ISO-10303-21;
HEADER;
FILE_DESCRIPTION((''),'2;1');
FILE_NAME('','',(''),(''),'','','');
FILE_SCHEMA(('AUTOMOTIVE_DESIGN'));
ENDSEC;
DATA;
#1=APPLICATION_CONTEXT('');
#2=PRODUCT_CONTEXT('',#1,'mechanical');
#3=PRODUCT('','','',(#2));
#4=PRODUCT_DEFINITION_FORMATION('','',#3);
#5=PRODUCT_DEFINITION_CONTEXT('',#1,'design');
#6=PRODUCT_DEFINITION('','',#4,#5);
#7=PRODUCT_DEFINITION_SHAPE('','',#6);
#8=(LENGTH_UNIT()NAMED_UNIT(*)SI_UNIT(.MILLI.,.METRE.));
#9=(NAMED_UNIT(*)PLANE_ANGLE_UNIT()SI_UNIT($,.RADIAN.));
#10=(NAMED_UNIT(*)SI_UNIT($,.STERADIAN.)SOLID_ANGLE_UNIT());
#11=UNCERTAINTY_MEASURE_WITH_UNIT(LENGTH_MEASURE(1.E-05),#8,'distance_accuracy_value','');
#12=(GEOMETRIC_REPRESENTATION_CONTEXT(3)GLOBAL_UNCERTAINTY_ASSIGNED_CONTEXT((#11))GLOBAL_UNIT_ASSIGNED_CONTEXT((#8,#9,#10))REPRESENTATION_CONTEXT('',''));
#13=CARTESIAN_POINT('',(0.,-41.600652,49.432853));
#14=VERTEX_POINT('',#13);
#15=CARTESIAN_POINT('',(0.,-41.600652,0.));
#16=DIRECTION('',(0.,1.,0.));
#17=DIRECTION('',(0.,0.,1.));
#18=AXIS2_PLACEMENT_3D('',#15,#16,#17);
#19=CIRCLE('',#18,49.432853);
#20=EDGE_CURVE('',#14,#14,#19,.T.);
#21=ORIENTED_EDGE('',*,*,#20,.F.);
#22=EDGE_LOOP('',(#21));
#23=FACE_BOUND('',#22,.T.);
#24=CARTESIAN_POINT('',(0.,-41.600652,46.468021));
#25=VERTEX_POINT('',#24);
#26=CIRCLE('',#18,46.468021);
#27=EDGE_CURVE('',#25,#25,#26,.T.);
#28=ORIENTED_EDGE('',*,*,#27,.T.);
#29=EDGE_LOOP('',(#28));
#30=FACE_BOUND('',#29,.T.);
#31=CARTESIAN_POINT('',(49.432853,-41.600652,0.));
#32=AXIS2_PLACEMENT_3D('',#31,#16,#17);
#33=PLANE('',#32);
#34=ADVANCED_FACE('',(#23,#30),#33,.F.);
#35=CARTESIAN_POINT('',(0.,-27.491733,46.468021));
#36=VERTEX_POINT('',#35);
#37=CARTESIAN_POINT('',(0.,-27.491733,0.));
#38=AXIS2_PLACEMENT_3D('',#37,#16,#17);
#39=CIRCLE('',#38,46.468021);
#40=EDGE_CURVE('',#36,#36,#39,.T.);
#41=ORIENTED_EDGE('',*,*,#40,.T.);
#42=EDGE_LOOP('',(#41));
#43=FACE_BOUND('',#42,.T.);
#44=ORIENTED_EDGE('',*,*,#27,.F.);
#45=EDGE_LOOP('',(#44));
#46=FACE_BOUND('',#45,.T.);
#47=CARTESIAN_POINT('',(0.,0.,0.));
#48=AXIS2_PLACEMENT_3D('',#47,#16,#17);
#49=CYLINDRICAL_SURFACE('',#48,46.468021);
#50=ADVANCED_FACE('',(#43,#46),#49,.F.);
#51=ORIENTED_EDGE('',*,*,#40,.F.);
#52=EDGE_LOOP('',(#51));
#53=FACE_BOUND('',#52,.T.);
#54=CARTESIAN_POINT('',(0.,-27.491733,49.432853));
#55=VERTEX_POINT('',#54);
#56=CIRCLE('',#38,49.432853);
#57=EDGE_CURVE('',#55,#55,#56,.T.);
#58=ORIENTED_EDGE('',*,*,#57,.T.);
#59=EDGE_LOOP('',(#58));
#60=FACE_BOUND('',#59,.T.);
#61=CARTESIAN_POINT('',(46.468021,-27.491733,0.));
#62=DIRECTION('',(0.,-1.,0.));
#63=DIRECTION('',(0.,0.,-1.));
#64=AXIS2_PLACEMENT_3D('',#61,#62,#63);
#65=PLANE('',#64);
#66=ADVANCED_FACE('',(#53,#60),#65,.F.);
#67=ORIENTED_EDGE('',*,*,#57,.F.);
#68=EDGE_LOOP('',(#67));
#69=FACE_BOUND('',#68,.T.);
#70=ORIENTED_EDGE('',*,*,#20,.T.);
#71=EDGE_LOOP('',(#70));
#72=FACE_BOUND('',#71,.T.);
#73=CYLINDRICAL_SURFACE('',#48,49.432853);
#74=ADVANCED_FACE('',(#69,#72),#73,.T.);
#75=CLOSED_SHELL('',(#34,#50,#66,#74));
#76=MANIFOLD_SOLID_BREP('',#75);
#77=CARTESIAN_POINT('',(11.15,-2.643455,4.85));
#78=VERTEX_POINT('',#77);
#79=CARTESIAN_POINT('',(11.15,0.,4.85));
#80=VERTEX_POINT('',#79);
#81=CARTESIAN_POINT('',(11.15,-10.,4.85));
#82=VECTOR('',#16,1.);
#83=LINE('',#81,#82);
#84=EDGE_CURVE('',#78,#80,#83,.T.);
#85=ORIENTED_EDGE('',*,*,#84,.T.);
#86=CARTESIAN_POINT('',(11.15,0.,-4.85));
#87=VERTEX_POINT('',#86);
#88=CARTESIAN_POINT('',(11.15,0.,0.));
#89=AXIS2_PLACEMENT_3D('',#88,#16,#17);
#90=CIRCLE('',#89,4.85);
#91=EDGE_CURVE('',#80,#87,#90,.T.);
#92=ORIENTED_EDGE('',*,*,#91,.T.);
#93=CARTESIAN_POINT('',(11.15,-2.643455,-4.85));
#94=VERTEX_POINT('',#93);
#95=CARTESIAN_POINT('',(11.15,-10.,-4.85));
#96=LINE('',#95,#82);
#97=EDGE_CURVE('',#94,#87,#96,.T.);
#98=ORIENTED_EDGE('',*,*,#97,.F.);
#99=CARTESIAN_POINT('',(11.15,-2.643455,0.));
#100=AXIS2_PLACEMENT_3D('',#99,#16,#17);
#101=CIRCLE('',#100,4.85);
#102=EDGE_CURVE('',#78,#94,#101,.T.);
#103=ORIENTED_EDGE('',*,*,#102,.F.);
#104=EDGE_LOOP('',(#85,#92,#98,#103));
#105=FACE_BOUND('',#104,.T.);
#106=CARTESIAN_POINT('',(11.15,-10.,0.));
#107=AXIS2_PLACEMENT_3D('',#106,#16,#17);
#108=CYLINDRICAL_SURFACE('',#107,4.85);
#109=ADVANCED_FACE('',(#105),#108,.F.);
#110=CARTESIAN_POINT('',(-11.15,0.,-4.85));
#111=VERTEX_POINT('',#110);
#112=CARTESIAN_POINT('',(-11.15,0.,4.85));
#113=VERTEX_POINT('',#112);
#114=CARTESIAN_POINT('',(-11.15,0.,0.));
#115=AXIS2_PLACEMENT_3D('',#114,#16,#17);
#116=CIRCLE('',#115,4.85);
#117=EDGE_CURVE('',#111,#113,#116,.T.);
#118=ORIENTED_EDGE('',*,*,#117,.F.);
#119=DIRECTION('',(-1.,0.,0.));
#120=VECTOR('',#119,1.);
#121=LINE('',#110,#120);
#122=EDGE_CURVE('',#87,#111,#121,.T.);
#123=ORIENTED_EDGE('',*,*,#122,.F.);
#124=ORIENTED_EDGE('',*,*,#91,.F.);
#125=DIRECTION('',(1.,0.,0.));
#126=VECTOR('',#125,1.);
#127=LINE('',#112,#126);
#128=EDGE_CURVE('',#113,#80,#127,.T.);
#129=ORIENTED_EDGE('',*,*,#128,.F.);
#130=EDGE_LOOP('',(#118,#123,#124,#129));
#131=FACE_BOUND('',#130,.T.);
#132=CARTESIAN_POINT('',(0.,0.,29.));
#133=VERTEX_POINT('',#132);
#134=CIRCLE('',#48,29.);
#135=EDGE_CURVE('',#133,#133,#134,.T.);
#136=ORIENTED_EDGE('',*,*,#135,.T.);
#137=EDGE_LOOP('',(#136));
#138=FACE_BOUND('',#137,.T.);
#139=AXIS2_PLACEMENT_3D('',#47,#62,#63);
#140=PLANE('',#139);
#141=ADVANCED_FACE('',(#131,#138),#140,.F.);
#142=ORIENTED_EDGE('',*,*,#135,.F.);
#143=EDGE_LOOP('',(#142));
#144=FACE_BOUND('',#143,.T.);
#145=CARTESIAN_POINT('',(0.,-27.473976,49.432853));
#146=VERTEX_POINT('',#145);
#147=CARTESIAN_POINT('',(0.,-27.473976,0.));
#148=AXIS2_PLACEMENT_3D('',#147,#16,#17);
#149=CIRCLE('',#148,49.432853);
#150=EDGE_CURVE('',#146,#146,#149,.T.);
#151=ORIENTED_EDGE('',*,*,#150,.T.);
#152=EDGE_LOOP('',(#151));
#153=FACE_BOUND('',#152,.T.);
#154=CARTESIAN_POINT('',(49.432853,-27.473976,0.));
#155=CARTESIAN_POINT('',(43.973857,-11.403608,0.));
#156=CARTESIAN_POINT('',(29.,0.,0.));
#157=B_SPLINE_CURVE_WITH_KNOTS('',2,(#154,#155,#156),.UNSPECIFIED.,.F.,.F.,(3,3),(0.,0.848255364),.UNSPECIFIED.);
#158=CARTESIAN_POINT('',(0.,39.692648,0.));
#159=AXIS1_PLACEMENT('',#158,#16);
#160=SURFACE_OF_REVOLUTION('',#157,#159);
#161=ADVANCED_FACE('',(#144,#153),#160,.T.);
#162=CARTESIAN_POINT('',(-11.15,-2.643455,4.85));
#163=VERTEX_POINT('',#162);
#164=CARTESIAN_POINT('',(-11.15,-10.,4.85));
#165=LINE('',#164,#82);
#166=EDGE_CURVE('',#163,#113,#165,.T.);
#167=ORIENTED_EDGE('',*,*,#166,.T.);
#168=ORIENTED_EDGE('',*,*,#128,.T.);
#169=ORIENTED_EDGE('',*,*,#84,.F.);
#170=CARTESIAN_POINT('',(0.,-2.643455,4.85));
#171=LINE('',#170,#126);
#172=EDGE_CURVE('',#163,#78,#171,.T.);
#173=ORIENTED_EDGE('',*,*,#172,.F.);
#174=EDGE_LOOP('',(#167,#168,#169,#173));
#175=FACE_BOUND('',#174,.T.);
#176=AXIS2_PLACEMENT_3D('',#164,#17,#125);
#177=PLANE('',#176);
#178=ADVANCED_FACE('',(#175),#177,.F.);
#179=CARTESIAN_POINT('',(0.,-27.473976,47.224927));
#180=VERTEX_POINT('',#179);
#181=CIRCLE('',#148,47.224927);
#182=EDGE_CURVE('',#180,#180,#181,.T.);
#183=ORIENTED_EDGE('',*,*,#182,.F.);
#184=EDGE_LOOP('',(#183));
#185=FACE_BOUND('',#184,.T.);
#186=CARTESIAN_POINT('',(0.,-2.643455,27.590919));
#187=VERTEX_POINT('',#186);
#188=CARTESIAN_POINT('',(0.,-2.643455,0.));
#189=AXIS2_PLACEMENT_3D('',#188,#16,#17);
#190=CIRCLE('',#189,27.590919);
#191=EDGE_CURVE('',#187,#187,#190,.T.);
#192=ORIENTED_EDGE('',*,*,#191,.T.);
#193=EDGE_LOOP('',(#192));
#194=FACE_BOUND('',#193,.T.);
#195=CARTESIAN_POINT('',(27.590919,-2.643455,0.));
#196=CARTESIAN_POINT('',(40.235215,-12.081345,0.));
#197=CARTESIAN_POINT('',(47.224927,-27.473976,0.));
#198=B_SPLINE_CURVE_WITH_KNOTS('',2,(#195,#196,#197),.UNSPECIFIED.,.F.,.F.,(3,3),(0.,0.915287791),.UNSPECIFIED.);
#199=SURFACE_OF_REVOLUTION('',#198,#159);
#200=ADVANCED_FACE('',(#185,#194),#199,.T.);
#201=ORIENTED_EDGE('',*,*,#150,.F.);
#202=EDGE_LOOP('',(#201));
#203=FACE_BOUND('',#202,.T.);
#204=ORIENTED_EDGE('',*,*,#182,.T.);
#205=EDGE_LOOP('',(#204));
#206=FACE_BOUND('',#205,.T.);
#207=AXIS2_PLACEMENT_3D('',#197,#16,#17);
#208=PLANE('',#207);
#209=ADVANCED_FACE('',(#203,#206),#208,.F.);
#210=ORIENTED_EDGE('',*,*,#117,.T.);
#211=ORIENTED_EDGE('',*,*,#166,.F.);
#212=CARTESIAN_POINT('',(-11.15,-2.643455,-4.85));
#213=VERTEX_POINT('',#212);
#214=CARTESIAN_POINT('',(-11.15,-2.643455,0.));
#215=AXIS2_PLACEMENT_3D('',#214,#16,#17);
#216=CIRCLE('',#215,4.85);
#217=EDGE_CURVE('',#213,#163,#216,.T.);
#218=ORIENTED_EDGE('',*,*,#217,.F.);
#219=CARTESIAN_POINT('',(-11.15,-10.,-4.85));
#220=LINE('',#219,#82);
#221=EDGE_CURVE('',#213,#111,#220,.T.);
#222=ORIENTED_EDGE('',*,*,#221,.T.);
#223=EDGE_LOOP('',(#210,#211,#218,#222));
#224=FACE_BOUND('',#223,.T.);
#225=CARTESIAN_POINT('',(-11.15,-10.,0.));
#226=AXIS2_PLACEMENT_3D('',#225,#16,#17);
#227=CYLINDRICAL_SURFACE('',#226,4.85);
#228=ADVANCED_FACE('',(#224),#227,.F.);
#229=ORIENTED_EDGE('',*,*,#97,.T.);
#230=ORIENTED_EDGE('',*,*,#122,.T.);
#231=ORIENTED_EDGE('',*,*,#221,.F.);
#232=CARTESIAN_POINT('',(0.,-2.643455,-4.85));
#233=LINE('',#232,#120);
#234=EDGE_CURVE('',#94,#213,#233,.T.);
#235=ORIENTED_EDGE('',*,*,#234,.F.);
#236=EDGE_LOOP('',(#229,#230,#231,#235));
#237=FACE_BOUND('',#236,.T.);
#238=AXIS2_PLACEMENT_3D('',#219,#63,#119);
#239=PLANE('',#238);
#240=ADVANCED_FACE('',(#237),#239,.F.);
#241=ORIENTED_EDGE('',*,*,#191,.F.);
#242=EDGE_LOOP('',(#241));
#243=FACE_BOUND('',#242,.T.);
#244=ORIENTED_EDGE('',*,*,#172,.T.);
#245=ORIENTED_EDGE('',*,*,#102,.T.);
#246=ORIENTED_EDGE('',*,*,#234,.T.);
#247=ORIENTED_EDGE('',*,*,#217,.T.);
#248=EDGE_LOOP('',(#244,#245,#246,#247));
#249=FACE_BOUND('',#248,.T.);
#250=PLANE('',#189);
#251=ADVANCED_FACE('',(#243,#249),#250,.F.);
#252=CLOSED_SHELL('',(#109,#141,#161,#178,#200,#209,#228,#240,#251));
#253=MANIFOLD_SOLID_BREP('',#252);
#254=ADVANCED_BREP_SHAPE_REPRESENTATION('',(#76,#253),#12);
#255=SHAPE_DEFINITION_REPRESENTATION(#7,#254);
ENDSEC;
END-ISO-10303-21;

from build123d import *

# Parameters (mm, degrees)
SKETCH3_W          = 2.964832231
SKETCH3_H          = 14.108919269
CUT_EXTRUDE3_DEPTH = 10


with BuildPart() as part:
    # Sketch2 → Revolve1 (revolve)
    with BuildSketch(Plane.XY):
        with BuildLine():
            Line((0, 0), (29, 0))
            add(Edge.make_bspline(
                [(29, 0), (43.973856775, -11.403607847), (49.432853271, -27.473975523)],
                knots=[0, 0, 0, 0.848255364, 0.848255364, 0.848255364], degree=2))
            Line((49.432853271, -27.473975523), (47.224927371, -27.473975523))
            add(Edge.make_bspline(
                [(47.224927371, -27.473975523), (40.235215176, -12.081344627), (27.590919343, -2.643455387)],
                knots=[0, 0, 0, 0.915287791, 0.915287791, 0.915287791], degree=2))
            Line((27.590919343, -2.643455387), (0, -2.643455387))
            Line((0, -2.643455387), (0, 0))
        make_face()
    revolve(axis=Axis((0, 39.692648139, 0), (0, -1, 0)))

    # Sketch6 → Cut-Extrude3 (cut)
    with BuildSketch(Plane(origin=(0, 0, 0), x_dir=(1, 0, 0), z_dir=(0, 1, 0))):
        with BuildLine():
            Line((-11.15, 4.85), (11.15, 4.85))
            ThreePointArc((11.15, 4.85), (16, 0), (11.15, -4.85))
            Line((11.15, -4.85), (-11.15, -4.85))
            ThreePointArc((-11.15, -4.85), (-16, 0), (-11.15, 4.85))
        make_face()
    extrude(amount=-CUT_EXTRUDE3_DEPTH, mode=Mode.SUBTRACT)


with BuildPart() as body_2:
    # Sketch3 → Revolve2 (revolve)
    with BuildSketch(Plane.XY):
        with Locations((47.950437156, -34.546192387)):
            Rectangle(SKETCH3_W, SKETCH3_H)
    revolve(axis=Axis((0, 0, 0), (0, -1, 0)))


solid = Compound([part.part, body_2.part])
